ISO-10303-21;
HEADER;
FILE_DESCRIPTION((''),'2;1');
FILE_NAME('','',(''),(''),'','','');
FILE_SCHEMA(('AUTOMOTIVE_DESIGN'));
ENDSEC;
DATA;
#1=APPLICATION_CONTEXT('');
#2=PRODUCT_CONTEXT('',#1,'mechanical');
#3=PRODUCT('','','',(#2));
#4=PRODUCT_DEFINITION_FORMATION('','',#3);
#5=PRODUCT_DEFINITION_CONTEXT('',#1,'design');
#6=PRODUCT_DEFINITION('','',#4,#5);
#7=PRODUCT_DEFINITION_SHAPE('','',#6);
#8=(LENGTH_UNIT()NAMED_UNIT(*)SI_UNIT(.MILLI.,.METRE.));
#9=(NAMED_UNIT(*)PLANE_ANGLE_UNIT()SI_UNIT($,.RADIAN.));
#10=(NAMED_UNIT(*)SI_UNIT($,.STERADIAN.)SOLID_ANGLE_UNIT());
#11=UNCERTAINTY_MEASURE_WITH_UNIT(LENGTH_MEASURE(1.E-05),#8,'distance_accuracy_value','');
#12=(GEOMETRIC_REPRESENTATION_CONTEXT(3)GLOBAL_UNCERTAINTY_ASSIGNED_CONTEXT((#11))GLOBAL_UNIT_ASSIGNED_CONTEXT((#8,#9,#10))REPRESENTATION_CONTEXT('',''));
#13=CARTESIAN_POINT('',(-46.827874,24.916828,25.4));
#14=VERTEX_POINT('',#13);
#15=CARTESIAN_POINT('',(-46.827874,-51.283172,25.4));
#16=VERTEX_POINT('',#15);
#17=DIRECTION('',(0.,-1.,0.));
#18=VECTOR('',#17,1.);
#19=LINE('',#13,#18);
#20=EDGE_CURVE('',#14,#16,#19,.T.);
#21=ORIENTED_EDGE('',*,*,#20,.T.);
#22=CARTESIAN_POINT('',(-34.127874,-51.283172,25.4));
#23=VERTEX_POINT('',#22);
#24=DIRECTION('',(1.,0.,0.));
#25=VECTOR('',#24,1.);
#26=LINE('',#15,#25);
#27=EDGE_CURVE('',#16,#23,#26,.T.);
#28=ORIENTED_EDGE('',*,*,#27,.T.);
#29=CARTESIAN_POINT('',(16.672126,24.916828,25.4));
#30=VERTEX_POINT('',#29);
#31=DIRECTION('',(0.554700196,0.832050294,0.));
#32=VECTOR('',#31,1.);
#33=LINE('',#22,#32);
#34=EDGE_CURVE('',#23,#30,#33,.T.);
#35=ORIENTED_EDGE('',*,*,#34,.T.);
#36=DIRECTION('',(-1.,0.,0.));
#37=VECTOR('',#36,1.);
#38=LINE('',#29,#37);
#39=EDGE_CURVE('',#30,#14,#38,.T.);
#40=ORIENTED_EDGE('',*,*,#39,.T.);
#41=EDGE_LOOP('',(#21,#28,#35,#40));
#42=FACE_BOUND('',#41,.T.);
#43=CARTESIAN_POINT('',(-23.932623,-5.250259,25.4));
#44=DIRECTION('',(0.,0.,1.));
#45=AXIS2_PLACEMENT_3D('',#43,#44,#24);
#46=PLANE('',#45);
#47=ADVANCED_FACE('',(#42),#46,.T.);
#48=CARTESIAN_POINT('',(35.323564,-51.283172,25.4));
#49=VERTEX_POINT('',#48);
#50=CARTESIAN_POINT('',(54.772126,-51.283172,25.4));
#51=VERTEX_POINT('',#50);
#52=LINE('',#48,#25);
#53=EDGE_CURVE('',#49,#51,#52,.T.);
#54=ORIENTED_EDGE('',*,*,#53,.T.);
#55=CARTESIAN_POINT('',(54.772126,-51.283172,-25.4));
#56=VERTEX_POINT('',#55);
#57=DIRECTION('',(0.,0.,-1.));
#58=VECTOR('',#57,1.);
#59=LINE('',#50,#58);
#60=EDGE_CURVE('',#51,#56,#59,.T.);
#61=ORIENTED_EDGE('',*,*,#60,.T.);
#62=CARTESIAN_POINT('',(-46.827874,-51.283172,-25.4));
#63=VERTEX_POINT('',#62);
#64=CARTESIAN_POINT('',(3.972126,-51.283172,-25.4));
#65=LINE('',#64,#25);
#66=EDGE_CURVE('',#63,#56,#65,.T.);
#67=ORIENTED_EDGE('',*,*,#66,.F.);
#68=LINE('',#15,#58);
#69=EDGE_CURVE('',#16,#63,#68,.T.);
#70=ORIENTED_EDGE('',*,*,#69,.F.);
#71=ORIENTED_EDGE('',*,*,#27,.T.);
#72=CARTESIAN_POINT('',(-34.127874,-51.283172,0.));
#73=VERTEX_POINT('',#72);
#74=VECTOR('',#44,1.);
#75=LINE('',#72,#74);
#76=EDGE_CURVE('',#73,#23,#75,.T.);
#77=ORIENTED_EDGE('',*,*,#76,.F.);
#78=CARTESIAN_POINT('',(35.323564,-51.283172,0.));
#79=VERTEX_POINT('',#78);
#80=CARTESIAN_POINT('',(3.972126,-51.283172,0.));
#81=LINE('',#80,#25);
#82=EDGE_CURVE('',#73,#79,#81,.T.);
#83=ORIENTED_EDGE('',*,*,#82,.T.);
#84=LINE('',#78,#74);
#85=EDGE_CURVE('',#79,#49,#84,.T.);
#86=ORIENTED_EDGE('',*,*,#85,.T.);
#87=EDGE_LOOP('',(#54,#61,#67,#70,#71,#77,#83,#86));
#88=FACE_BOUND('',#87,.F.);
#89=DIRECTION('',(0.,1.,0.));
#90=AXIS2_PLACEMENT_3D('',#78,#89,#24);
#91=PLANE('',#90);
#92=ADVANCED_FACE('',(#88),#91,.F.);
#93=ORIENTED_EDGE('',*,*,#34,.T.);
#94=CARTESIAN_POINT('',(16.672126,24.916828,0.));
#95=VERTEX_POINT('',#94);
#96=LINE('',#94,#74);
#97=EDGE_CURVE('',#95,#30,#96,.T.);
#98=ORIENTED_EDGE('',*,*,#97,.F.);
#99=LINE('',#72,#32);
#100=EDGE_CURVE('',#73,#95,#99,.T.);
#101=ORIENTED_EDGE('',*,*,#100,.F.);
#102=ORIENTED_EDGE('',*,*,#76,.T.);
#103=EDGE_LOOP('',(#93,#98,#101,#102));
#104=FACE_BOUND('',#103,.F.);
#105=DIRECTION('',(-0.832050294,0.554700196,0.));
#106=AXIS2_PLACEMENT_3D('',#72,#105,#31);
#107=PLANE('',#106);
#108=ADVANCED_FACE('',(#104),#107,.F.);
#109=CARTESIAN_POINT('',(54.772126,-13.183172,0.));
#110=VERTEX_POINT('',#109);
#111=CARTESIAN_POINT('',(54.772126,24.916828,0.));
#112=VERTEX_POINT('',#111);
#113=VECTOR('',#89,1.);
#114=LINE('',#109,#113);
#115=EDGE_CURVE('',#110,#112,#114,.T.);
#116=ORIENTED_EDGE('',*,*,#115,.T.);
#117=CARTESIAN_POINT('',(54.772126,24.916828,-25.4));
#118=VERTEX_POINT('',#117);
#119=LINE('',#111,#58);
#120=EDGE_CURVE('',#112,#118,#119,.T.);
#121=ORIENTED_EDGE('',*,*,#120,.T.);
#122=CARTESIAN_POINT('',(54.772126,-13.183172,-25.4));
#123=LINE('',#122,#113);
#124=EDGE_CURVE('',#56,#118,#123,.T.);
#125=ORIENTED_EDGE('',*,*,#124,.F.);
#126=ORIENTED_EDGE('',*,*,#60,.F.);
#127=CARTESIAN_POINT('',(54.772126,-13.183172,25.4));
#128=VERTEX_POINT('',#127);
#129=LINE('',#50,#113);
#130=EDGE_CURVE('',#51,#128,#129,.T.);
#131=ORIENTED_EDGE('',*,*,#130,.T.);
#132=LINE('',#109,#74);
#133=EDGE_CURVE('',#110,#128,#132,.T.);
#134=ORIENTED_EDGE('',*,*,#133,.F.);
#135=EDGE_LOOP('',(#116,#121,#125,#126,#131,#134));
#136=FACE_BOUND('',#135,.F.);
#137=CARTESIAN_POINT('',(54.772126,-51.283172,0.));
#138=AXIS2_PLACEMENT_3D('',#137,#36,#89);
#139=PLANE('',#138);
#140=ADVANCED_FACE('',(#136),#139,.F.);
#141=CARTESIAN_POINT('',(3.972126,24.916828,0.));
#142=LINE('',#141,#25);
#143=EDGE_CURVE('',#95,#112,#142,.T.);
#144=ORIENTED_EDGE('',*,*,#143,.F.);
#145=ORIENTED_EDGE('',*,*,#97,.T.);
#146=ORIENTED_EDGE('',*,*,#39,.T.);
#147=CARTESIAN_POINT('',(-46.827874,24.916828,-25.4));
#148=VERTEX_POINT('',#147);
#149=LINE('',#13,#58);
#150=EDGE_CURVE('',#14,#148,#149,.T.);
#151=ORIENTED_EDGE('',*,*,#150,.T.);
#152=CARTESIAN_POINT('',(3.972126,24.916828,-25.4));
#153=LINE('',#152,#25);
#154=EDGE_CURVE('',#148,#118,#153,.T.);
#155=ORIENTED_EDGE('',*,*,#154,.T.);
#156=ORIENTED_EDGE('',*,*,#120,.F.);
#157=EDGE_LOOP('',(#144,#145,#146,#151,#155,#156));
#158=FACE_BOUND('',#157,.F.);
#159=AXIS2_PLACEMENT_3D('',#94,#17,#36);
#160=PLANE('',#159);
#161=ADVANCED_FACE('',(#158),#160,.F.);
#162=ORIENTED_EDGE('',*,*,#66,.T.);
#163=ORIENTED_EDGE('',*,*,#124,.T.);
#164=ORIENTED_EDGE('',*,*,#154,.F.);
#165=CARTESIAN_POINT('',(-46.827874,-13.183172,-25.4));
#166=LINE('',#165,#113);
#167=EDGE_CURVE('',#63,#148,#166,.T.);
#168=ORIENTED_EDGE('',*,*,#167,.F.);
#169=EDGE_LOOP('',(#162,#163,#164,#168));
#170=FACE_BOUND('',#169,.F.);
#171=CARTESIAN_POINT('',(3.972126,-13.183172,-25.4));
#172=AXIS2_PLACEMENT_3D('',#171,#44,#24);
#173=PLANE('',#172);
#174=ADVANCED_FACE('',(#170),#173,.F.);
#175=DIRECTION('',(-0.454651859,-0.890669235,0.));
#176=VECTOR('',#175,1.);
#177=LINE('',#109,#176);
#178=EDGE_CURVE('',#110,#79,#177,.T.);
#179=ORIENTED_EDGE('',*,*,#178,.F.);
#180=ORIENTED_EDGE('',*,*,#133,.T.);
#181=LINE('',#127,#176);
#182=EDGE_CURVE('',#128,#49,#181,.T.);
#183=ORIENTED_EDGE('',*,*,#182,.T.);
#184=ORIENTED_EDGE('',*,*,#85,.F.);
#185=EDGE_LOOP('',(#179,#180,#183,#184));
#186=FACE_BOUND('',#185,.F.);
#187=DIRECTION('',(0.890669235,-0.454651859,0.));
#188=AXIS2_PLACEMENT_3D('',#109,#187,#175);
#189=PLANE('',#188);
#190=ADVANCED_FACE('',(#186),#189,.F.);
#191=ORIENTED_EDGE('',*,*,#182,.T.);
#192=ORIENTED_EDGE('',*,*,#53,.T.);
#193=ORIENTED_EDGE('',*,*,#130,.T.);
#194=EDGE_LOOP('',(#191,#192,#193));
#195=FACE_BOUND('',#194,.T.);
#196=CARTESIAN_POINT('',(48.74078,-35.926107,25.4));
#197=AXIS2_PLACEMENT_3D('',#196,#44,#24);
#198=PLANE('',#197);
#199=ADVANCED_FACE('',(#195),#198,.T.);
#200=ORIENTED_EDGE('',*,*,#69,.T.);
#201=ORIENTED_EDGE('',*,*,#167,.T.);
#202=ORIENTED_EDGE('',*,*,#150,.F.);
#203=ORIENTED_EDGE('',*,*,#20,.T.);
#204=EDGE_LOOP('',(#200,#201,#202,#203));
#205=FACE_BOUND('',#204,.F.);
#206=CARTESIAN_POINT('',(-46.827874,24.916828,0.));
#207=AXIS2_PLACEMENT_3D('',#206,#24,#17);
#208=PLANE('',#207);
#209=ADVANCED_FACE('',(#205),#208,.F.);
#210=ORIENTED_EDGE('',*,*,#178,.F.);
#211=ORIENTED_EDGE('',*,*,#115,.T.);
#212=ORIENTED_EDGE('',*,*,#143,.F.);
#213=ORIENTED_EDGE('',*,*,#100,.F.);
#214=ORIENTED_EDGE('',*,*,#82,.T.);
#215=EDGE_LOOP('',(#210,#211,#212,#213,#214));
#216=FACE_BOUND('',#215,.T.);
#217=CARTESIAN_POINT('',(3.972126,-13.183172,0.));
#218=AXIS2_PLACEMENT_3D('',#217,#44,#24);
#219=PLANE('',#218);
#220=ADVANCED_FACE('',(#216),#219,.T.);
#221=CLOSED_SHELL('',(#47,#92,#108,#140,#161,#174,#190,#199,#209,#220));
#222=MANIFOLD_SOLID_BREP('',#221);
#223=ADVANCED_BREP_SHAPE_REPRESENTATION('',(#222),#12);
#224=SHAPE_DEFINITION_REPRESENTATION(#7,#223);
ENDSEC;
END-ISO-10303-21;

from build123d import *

# Parameters (mm, degrees)
F0_W     = 101.6
F0_H     = 76.2
F1_DEPTH = 25.4
F3_DEPTH = 25.4
F4_DEPTH = 25.4


with BuildPart() as f1:
    # F0 (on Top) → F1 (new body)
    with BuildSketch(Plane.XY):
        with Locations((3.972126, -13.183172)):
            Rectangle(F0_W, F0_H)
    extrude(amount=-F1_DEPTH)

    # F2 (on face) → F3 (join)
    with BuildSketch(Plane.XY):
        Polygon((-46.827874, -51.283172), (-34.127874, -51.283172), (16.672126, 24.916828), (-46.827874, 24.916828), align=None)
    extrude(amount=F3_DEPTH)

    # F2 (on face) → F4 (join)
    with BuildSketch(Plane.XY):
        Polygon((54.772126, -13.183172), (35.323564, -51.283172), (54.772126, -51.283172), align=None)
    extrude(amount=F4_DEPTH)


solid = f1.part
